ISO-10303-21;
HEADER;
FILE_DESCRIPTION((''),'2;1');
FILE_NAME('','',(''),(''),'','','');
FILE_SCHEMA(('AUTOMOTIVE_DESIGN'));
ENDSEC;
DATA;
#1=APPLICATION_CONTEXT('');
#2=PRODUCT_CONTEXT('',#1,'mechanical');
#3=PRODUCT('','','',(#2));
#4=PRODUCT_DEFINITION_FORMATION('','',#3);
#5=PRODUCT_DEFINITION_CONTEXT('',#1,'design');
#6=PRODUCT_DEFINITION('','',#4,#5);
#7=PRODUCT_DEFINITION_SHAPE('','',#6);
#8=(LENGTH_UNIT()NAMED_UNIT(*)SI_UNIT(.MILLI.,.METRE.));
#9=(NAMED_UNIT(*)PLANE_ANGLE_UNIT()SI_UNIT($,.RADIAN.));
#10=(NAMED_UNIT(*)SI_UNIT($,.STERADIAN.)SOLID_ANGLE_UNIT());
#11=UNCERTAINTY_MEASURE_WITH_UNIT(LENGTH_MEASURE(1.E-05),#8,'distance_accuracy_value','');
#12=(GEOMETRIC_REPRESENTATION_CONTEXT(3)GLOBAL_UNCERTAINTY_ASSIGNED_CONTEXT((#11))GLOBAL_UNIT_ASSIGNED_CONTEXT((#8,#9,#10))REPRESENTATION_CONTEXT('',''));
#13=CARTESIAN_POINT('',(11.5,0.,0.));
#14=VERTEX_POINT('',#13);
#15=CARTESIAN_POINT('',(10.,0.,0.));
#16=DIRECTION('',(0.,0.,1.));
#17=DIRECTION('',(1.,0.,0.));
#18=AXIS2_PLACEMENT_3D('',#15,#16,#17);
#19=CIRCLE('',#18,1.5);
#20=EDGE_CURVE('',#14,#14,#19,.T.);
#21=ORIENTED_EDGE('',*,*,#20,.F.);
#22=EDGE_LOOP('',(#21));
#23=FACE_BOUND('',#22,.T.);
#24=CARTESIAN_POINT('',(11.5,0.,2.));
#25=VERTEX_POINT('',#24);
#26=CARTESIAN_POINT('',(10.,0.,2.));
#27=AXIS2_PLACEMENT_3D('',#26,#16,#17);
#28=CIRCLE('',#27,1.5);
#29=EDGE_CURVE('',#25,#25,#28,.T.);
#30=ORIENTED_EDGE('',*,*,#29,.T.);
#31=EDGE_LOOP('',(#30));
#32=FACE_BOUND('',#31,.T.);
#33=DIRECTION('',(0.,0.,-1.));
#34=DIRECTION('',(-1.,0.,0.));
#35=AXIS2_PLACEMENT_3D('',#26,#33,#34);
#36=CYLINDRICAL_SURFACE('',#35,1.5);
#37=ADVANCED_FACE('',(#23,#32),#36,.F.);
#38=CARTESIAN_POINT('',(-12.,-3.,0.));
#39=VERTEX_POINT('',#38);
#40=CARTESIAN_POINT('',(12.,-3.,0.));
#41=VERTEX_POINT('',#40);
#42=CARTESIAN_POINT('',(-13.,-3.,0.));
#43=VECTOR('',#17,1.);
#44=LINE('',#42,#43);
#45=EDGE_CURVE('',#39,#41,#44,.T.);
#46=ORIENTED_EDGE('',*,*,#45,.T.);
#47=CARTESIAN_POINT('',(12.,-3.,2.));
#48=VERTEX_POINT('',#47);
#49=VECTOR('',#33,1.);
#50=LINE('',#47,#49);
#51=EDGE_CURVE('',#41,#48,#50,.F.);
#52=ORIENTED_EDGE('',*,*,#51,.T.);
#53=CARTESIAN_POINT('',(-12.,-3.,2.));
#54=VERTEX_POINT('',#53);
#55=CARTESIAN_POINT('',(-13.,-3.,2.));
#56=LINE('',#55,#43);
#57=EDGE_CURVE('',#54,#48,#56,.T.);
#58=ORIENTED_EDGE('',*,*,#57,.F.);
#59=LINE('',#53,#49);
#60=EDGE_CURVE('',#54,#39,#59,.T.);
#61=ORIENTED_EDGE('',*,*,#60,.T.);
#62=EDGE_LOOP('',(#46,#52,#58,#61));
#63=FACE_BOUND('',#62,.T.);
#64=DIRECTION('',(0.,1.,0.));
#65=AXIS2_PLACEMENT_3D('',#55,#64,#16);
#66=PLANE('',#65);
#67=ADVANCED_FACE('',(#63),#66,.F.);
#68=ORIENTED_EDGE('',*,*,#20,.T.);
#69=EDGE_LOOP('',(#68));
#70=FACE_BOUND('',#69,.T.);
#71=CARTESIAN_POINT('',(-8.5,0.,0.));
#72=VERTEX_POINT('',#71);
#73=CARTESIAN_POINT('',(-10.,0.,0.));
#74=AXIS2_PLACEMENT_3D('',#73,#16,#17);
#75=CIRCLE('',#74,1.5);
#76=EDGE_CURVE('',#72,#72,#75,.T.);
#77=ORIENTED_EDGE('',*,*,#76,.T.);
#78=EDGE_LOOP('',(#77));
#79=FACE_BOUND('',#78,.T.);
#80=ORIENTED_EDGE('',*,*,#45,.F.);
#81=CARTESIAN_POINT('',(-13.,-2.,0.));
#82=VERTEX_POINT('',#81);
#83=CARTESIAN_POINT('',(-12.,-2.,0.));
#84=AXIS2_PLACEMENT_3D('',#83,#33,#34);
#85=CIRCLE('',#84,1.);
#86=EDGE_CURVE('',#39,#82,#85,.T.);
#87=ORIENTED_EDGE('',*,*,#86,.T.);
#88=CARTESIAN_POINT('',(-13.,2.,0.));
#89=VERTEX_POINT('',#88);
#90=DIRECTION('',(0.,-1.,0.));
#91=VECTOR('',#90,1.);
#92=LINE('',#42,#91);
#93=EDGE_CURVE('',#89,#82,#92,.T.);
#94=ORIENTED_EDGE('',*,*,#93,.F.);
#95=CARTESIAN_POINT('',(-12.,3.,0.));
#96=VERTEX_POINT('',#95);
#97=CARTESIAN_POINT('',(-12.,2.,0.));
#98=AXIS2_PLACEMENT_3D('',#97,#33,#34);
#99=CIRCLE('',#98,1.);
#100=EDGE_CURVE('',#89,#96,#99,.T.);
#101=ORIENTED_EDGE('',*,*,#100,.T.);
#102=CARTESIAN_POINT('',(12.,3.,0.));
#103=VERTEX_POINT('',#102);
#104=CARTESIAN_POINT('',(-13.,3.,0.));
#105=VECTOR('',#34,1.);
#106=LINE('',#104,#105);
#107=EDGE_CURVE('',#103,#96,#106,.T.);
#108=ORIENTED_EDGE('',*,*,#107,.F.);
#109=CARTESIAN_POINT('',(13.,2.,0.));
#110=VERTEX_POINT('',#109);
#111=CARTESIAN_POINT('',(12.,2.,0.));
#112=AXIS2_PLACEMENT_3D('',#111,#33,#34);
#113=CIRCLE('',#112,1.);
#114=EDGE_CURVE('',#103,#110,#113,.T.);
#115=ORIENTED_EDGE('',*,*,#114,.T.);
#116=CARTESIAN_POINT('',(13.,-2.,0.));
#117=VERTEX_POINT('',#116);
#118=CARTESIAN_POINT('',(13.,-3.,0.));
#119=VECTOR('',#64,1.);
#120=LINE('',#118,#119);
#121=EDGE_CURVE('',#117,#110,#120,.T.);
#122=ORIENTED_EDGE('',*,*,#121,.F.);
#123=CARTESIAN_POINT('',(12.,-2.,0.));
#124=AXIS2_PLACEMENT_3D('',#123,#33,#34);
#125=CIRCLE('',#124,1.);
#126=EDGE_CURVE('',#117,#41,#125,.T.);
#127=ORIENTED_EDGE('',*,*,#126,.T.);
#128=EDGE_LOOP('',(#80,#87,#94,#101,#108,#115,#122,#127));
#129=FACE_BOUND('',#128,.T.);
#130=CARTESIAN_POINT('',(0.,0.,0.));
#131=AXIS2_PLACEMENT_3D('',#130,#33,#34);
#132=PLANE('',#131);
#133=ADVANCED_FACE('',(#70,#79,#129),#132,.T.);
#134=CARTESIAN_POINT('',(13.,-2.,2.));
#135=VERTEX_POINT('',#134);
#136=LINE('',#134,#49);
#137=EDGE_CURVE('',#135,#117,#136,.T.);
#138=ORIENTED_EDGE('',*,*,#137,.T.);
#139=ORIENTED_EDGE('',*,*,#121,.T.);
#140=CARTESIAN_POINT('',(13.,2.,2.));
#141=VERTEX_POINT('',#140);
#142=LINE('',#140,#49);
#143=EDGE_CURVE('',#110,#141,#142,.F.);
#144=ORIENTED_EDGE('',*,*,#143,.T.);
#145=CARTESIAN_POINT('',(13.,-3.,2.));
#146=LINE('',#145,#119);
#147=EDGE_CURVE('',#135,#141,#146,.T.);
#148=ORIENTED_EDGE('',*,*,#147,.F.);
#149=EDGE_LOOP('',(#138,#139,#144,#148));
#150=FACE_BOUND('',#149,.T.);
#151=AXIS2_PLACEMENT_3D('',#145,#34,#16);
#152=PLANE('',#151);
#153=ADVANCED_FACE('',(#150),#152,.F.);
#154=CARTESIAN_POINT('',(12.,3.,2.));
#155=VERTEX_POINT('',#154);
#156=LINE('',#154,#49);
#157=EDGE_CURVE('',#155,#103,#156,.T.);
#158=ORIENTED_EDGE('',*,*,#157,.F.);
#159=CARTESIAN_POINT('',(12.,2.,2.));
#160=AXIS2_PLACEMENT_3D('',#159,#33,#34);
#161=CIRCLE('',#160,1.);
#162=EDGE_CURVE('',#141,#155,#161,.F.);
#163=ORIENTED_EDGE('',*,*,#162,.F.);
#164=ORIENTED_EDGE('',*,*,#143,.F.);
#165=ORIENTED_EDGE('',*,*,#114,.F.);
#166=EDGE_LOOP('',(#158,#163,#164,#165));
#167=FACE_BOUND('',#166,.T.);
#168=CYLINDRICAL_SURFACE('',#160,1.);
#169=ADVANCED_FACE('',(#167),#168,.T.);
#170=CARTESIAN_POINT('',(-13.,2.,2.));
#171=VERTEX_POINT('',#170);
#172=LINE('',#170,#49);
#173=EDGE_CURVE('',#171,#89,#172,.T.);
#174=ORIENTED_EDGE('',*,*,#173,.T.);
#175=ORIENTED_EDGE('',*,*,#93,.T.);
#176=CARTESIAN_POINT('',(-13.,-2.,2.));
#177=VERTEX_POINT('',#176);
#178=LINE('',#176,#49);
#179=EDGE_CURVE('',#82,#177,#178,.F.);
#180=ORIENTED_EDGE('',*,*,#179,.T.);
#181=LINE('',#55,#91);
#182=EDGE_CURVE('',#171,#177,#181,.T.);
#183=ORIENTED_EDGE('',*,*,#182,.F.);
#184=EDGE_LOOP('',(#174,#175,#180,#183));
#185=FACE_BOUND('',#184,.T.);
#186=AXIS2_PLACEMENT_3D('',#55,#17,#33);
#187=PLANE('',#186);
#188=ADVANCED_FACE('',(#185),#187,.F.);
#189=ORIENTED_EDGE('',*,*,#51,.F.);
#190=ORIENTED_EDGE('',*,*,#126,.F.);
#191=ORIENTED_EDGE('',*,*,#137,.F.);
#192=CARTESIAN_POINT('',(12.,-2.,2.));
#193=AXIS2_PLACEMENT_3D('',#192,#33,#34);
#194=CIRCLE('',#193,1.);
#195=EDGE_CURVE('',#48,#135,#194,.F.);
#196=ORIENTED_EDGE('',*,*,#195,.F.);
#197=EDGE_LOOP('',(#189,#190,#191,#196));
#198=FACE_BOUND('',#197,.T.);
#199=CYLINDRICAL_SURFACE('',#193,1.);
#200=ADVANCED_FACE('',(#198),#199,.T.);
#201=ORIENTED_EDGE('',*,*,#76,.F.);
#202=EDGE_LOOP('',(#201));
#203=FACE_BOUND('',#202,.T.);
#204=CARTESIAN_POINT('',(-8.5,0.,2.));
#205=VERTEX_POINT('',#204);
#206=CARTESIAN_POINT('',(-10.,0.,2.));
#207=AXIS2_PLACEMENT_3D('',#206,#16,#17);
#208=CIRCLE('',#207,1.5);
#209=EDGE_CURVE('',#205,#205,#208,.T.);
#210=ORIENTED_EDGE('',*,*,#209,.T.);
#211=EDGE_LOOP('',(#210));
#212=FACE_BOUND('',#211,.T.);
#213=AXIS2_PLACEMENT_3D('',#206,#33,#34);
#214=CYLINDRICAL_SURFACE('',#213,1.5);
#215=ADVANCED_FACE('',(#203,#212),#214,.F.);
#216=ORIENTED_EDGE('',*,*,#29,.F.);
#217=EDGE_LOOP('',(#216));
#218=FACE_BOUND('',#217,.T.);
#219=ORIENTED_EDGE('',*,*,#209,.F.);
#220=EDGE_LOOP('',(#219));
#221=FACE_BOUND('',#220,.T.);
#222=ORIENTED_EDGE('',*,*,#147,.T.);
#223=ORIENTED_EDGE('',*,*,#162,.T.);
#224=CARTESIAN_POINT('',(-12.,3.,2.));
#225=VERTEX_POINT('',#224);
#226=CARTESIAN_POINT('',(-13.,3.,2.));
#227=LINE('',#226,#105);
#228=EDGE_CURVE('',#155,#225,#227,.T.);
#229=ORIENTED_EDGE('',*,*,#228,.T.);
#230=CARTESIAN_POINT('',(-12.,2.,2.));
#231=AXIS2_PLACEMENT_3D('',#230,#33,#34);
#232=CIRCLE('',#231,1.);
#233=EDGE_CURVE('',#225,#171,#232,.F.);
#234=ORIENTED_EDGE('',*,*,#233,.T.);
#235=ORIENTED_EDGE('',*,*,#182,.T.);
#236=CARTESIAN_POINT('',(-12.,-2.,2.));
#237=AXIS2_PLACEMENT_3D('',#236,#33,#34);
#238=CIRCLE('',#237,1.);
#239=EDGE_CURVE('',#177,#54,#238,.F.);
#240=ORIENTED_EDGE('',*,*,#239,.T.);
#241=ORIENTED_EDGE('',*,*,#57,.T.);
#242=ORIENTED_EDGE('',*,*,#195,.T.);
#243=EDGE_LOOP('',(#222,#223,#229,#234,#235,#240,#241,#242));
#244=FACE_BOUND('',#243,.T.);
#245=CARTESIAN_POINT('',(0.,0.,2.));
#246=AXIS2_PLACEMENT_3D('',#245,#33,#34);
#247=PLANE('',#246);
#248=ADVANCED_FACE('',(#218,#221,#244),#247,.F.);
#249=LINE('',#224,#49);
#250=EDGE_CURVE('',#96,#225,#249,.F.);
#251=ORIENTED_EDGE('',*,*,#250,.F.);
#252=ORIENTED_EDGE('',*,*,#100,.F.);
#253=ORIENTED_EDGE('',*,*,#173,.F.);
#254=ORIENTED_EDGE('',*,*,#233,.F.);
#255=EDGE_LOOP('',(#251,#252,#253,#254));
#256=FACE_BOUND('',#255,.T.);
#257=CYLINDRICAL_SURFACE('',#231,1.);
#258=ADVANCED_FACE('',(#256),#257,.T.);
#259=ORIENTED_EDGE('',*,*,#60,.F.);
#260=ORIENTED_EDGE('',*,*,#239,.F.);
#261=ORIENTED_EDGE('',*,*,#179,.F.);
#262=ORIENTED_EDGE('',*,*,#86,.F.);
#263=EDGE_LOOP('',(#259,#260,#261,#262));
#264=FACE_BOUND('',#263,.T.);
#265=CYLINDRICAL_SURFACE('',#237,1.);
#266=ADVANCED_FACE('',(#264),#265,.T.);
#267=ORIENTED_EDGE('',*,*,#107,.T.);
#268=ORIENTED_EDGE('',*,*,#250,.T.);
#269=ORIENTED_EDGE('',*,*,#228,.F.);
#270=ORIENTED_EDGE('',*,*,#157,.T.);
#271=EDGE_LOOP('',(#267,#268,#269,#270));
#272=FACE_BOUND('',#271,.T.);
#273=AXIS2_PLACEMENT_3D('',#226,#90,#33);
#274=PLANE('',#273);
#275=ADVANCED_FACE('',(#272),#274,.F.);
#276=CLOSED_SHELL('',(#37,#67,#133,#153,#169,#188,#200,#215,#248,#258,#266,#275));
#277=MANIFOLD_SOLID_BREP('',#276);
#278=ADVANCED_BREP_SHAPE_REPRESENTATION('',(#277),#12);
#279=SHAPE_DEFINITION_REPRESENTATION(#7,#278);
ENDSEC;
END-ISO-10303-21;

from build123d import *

# Parameters (mm, degrees)
ESQUISSE1_W        = 26
ESQUISSE1_H        = 6
ESQUISSE1_R        = 1.5
BOSS_EXTRU_1_DEPTH = 2
CONG_1_R           = 1


with BuildPart() as part:
    # Esquisse1 → Boss.-Extru.1 (new body)
    with BuildSketch(Plane.XY):
        Rectangle(ESQUISSE1_W, ESQUISSE1_H)
        with Locations((10, 0)):
            Circle(ESQUISSE1_R, mode=Mode.SUBTRACT)
        with Locations((-10, 0)):
            Circle(ESQUISSE1_R, mode=Mode.SUBTRACT)
    extrude(amount=BOSS_EXTRU_1_DEPTH)

    # Congé1
    cong_1_edges = [part.edges().sort_by_distance(p)[0] for p in [
        (13, -3, 1),
        (-13, -3, 1),
        (-13, 3, 1),
        (13, 3, 1),
    ]]
    fillet(cong_1_edges, radius=CONG_1_R)


solid = part.part
